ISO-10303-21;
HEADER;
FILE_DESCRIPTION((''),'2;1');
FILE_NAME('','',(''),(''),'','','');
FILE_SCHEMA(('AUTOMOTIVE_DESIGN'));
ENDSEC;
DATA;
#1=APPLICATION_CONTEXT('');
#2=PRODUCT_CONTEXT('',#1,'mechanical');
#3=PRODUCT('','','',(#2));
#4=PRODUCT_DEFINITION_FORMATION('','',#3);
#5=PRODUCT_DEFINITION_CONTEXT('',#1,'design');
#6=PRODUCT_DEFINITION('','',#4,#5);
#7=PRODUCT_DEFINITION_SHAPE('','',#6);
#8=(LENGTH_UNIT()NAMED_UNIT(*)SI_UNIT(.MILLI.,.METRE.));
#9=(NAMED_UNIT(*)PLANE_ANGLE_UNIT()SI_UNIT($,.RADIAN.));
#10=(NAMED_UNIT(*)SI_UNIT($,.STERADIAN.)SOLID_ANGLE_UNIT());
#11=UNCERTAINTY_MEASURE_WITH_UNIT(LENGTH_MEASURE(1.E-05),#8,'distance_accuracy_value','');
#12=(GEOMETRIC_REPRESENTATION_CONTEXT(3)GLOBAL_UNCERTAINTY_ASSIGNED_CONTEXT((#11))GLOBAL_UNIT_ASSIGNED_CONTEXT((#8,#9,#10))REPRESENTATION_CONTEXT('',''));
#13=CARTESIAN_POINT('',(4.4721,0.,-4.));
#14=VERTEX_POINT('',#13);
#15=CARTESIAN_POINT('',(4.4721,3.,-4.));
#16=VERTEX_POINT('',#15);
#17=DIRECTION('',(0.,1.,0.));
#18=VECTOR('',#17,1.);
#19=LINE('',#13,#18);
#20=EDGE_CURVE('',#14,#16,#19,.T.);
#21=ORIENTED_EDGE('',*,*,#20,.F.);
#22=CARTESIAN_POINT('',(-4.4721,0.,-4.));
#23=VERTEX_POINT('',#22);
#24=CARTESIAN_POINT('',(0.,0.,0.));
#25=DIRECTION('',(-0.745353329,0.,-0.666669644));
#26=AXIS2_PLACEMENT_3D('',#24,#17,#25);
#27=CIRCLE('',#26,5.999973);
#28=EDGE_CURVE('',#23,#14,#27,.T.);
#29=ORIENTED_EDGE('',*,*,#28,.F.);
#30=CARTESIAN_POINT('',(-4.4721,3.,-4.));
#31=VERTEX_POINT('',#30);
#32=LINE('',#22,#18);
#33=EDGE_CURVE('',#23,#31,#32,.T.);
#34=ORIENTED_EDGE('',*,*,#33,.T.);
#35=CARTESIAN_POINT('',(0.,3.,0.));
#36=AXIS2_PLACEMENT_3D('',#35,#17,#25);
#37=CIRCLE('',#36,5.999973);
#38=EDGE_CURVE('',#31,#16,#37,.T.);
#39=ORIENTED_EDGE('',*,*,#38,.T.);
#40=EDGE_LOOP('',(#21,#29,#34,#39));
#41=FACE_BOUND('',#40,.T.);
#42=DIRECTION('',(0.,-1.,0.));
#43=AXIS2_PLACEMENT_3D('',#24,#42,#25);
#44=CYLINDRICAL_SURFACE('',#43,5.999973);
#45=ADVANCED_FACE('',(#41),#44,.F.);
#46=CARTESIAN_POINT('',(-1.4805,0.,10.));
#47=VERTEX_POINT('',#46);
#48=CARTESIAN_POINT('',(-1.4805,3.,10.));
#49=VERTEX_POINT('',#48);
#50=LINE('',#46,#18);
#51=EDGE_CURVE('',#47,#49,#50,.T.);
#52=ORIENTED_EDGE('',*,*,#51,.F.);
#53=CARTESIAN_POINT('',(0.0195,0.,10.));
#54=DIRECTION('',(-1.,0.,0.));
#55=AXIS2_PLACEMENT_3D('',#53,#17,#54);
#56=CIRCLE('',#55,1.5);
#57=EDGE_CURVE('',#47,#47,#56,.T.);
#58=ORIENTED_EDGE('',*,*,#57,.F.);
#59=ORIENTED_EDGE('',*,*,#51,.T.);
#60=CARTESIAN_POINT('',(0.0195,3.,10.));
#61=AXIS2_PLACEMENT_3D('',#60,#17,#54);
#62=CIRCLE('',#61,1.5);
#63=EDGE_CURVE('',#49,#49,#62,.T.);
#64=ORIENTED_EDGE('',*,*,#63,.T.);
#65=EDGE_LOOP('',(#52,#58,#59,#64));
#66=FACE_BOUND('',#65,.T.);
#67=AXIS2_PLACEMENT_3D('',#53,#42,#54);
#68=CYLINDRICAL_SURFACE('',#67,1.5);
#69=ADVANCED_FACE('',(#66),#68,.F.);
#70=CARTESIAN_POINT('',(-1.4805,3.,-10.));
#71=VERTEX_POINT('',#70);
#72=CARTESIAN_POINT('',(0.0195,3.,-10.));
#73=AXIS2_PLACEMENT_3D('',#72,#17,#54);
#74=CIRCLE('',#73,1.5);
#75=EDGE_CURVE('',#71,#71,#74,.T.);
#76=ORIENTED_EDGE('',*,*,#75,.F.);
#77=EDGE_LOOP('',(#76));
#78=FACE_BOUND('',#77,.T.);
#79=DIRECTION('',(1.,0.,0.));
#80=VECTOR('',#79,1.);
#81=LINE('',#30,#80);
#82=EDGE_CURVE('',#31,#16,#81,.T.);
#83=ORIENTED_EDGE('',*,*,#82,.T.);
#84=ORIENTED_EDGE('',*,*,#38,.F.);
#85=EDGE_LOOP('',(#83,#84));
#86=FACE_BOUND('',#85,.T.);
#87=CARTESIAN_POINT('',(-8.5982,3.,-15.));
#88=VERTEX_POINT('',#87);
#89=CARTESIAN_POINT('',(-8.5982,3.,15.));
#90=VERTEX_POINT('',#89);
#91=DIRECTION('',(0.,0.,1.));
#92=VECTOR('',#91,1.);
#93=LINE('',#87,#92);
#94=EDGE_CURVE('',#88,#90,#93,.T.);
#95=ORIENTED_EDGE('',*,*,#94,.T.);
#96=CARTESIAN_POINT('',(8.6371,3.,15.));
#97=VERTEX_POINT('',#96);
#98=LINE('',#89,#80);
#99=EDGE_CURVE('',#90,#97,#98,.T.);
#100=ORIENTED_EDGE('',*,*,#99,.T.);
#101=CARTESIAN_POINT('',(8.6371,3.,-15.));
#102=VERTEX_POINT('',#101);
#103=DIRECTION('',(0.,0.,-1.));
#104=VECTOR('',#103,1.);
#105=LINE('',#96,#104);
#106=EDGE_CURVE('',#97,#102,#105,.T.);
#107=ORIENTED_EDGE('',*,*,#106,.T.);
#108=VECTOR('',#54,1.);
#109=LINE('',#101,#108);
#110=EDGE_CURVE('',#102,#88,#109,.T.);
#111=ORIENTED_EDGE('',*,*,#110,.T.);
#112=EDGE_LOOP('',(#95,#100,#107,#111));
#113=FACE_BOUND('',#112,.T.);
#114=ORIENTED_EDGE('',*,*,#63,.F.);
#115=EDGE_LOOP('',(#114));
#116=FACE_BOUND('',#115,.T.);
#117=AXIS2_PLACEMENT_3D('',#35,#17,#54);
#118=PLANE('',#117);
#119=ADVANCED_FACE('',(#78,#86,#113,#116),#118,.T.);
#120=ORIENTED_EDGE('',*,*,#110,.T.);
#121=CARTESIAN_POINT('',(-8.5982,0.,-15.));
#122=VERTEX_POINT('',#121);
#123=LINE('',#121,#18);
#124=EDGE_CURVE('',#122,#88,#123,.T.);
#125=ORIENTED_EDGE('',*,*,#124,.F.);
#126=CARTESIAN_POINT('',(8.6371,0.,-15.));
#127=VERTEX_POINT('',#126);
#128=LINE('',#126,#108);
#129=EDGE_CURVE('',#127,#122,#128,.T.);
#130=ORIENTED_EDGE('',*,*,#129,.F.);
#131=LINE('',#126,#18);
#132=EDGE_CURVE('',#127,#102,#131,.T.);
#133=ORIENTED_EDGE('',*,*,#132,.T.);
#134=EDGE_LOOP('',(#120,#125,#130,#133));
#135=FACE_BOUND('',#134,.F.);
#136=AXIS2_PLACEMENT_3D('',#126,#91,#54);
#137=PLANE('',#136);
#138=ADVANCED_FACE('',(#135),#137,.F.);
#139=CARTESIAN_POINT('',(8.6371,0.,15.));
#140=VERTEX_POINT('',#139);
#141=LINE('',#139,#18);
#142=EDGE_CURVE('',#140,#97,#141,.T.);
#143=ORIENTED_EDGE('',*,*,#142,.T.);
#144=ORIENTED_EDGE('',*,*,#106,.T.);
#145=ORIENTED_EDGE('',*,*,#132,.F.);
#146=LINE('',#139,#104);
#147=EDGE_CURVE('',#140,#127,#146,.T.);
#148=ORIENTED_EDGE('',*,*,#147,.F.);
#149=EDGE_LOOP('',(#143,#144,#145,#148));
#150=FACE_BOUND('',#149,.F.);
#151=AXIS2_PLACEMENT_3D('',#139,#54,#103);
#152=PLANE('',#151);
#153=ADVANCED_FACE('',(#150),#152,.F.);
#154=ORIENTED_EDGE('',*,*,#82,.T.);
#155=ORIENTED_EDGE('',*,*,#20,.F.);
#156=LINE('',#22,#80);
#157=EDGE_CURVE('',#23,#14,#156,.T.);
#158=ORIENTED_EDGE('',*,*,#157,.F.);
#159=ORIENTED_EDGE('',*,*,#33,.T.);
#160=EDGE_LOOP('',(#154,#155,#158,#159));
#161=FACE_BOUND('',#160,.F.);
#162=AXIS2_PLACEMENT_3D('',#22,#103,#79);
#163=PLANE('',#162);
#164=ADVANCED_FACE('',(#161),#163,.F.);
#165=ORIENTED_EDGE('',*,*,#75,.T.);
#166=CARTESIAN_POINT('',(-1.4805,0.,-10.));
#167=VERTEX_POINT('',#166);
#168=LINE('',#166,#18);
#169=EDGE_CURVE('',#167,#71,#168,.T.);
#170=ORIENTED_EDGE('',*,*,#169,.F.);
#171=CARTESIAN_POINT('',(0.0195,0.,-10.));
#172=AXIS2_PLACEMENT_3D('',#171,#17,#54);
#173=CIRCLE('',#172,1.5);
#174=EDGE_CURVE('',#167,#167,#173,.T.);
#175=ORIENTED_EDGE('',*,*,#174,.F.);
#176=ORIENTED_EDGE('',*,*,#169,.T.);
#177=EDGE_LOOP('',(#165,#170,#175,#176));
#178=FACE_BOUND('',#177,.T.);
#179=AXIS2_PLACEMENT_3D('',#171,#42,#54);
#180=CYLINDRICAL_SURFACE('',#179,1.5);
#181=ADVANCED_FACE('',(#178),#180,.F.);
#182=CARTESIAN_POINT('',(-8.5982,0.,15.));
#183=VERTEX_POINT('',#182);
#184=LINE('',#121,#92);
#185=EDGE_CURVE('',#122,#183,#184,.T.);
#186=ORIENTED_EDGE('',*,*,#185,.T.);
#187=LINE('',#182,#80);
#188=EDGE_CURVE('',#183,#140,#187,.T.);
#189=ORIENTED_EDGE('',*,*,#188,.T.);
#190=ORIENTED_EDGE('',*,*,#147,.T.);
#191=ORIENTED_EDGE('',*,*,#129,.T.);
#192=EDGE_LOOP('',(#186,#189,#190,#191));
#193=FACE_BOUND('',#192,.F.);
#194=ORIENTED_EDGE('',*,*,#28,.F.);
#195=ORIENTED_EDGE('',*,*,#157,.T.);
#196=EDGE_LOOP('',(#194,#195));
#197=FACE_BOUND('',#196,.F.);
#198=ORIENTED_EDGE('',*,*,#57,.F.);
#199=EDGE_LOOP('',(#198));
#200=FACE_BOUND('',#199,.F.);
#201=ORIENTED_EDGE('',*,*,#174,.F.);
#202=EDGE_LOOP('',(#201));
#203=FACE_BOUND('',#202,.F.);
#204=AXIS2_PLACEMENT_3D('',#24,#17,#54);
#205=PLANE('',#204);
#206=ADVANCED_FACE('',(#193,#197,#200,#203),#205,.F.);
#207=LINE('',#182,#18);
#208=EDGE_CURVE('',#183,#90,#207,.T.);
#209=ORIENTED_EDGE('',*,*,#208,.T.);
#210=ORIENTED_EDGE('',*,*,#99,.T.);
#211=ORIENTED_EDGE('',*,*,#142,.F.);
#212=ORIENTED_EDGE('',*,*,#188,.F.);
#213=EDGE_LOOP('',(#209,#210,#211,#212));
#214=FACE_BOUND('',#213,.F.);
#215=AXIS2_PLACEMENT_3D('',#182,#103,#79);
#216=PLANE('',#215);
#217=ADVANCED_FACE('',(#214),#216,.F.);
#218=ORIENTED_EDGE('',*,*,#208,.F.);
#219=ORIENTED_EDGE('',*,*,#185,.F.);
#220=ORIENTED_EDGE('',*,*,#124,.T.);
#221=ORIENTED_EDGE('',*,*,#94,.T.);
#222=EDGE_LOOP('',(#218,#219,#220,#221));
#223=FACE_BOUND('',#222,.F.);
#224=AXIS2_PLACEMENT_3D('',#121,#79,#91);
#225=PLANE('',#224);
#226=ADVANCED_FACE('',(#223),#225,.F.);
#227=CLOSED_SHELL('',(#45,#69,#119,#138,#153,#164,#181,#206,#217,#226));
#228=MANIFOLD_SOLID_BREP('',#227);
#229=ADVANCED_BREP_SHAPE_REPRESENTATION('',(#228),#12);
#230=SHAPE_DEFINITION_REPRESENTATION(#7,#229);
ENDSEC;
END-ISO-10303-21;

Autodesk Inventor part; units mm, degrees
ref_plane "YZ Plane" through (0, 0, 0) normal (1, 0, 0) x (0, 1, 0)
ref_plane "XZ Plane" through (0, 0, 0) normal (0, 1, 0) x (-1, 0, 0)
ref_plane "XY Plane" through (0, 0, 0) normal (0, 0, 1) x (1, 0, 0)
sketch "Эскиз1" plane through (0, 0, 0) normal (0, 1, 0) x (-1, 0, 0)
  arc A0 (4.4721, -4) -> (-4.4721, -4) centre (0, 0) ccw
  line L0 (4.4721, -4) -> (-4.4721, -4)
  line L1 (8.5982, 15) -> (-8.6371, 15)
  line L2 (-8.6371, 15) -> (-8.6371, -15)
  line L3 (-8.6371, -15) -> (8.5982, -15)
  line L4 (8.5982, -15) -> (8.5982, 15)
  circle A1 centre (-0.0195, 10) radius 1.5
  circle A2 centre (-0.0195, -10) radius 1.5
  dimension "d0" = 12
  dimension "d1" = 4
  dimension "d2" = 15
  dimension "d3" = 15
  dimension "d4" = 3
  dimension "d5" = 3
  dimension "d6" = 5
  dimension "d7" = 5
extrude "Выдавливание1" add sketch "Эскиз1" along normal blind 3
properties part number "Ответка замка"
